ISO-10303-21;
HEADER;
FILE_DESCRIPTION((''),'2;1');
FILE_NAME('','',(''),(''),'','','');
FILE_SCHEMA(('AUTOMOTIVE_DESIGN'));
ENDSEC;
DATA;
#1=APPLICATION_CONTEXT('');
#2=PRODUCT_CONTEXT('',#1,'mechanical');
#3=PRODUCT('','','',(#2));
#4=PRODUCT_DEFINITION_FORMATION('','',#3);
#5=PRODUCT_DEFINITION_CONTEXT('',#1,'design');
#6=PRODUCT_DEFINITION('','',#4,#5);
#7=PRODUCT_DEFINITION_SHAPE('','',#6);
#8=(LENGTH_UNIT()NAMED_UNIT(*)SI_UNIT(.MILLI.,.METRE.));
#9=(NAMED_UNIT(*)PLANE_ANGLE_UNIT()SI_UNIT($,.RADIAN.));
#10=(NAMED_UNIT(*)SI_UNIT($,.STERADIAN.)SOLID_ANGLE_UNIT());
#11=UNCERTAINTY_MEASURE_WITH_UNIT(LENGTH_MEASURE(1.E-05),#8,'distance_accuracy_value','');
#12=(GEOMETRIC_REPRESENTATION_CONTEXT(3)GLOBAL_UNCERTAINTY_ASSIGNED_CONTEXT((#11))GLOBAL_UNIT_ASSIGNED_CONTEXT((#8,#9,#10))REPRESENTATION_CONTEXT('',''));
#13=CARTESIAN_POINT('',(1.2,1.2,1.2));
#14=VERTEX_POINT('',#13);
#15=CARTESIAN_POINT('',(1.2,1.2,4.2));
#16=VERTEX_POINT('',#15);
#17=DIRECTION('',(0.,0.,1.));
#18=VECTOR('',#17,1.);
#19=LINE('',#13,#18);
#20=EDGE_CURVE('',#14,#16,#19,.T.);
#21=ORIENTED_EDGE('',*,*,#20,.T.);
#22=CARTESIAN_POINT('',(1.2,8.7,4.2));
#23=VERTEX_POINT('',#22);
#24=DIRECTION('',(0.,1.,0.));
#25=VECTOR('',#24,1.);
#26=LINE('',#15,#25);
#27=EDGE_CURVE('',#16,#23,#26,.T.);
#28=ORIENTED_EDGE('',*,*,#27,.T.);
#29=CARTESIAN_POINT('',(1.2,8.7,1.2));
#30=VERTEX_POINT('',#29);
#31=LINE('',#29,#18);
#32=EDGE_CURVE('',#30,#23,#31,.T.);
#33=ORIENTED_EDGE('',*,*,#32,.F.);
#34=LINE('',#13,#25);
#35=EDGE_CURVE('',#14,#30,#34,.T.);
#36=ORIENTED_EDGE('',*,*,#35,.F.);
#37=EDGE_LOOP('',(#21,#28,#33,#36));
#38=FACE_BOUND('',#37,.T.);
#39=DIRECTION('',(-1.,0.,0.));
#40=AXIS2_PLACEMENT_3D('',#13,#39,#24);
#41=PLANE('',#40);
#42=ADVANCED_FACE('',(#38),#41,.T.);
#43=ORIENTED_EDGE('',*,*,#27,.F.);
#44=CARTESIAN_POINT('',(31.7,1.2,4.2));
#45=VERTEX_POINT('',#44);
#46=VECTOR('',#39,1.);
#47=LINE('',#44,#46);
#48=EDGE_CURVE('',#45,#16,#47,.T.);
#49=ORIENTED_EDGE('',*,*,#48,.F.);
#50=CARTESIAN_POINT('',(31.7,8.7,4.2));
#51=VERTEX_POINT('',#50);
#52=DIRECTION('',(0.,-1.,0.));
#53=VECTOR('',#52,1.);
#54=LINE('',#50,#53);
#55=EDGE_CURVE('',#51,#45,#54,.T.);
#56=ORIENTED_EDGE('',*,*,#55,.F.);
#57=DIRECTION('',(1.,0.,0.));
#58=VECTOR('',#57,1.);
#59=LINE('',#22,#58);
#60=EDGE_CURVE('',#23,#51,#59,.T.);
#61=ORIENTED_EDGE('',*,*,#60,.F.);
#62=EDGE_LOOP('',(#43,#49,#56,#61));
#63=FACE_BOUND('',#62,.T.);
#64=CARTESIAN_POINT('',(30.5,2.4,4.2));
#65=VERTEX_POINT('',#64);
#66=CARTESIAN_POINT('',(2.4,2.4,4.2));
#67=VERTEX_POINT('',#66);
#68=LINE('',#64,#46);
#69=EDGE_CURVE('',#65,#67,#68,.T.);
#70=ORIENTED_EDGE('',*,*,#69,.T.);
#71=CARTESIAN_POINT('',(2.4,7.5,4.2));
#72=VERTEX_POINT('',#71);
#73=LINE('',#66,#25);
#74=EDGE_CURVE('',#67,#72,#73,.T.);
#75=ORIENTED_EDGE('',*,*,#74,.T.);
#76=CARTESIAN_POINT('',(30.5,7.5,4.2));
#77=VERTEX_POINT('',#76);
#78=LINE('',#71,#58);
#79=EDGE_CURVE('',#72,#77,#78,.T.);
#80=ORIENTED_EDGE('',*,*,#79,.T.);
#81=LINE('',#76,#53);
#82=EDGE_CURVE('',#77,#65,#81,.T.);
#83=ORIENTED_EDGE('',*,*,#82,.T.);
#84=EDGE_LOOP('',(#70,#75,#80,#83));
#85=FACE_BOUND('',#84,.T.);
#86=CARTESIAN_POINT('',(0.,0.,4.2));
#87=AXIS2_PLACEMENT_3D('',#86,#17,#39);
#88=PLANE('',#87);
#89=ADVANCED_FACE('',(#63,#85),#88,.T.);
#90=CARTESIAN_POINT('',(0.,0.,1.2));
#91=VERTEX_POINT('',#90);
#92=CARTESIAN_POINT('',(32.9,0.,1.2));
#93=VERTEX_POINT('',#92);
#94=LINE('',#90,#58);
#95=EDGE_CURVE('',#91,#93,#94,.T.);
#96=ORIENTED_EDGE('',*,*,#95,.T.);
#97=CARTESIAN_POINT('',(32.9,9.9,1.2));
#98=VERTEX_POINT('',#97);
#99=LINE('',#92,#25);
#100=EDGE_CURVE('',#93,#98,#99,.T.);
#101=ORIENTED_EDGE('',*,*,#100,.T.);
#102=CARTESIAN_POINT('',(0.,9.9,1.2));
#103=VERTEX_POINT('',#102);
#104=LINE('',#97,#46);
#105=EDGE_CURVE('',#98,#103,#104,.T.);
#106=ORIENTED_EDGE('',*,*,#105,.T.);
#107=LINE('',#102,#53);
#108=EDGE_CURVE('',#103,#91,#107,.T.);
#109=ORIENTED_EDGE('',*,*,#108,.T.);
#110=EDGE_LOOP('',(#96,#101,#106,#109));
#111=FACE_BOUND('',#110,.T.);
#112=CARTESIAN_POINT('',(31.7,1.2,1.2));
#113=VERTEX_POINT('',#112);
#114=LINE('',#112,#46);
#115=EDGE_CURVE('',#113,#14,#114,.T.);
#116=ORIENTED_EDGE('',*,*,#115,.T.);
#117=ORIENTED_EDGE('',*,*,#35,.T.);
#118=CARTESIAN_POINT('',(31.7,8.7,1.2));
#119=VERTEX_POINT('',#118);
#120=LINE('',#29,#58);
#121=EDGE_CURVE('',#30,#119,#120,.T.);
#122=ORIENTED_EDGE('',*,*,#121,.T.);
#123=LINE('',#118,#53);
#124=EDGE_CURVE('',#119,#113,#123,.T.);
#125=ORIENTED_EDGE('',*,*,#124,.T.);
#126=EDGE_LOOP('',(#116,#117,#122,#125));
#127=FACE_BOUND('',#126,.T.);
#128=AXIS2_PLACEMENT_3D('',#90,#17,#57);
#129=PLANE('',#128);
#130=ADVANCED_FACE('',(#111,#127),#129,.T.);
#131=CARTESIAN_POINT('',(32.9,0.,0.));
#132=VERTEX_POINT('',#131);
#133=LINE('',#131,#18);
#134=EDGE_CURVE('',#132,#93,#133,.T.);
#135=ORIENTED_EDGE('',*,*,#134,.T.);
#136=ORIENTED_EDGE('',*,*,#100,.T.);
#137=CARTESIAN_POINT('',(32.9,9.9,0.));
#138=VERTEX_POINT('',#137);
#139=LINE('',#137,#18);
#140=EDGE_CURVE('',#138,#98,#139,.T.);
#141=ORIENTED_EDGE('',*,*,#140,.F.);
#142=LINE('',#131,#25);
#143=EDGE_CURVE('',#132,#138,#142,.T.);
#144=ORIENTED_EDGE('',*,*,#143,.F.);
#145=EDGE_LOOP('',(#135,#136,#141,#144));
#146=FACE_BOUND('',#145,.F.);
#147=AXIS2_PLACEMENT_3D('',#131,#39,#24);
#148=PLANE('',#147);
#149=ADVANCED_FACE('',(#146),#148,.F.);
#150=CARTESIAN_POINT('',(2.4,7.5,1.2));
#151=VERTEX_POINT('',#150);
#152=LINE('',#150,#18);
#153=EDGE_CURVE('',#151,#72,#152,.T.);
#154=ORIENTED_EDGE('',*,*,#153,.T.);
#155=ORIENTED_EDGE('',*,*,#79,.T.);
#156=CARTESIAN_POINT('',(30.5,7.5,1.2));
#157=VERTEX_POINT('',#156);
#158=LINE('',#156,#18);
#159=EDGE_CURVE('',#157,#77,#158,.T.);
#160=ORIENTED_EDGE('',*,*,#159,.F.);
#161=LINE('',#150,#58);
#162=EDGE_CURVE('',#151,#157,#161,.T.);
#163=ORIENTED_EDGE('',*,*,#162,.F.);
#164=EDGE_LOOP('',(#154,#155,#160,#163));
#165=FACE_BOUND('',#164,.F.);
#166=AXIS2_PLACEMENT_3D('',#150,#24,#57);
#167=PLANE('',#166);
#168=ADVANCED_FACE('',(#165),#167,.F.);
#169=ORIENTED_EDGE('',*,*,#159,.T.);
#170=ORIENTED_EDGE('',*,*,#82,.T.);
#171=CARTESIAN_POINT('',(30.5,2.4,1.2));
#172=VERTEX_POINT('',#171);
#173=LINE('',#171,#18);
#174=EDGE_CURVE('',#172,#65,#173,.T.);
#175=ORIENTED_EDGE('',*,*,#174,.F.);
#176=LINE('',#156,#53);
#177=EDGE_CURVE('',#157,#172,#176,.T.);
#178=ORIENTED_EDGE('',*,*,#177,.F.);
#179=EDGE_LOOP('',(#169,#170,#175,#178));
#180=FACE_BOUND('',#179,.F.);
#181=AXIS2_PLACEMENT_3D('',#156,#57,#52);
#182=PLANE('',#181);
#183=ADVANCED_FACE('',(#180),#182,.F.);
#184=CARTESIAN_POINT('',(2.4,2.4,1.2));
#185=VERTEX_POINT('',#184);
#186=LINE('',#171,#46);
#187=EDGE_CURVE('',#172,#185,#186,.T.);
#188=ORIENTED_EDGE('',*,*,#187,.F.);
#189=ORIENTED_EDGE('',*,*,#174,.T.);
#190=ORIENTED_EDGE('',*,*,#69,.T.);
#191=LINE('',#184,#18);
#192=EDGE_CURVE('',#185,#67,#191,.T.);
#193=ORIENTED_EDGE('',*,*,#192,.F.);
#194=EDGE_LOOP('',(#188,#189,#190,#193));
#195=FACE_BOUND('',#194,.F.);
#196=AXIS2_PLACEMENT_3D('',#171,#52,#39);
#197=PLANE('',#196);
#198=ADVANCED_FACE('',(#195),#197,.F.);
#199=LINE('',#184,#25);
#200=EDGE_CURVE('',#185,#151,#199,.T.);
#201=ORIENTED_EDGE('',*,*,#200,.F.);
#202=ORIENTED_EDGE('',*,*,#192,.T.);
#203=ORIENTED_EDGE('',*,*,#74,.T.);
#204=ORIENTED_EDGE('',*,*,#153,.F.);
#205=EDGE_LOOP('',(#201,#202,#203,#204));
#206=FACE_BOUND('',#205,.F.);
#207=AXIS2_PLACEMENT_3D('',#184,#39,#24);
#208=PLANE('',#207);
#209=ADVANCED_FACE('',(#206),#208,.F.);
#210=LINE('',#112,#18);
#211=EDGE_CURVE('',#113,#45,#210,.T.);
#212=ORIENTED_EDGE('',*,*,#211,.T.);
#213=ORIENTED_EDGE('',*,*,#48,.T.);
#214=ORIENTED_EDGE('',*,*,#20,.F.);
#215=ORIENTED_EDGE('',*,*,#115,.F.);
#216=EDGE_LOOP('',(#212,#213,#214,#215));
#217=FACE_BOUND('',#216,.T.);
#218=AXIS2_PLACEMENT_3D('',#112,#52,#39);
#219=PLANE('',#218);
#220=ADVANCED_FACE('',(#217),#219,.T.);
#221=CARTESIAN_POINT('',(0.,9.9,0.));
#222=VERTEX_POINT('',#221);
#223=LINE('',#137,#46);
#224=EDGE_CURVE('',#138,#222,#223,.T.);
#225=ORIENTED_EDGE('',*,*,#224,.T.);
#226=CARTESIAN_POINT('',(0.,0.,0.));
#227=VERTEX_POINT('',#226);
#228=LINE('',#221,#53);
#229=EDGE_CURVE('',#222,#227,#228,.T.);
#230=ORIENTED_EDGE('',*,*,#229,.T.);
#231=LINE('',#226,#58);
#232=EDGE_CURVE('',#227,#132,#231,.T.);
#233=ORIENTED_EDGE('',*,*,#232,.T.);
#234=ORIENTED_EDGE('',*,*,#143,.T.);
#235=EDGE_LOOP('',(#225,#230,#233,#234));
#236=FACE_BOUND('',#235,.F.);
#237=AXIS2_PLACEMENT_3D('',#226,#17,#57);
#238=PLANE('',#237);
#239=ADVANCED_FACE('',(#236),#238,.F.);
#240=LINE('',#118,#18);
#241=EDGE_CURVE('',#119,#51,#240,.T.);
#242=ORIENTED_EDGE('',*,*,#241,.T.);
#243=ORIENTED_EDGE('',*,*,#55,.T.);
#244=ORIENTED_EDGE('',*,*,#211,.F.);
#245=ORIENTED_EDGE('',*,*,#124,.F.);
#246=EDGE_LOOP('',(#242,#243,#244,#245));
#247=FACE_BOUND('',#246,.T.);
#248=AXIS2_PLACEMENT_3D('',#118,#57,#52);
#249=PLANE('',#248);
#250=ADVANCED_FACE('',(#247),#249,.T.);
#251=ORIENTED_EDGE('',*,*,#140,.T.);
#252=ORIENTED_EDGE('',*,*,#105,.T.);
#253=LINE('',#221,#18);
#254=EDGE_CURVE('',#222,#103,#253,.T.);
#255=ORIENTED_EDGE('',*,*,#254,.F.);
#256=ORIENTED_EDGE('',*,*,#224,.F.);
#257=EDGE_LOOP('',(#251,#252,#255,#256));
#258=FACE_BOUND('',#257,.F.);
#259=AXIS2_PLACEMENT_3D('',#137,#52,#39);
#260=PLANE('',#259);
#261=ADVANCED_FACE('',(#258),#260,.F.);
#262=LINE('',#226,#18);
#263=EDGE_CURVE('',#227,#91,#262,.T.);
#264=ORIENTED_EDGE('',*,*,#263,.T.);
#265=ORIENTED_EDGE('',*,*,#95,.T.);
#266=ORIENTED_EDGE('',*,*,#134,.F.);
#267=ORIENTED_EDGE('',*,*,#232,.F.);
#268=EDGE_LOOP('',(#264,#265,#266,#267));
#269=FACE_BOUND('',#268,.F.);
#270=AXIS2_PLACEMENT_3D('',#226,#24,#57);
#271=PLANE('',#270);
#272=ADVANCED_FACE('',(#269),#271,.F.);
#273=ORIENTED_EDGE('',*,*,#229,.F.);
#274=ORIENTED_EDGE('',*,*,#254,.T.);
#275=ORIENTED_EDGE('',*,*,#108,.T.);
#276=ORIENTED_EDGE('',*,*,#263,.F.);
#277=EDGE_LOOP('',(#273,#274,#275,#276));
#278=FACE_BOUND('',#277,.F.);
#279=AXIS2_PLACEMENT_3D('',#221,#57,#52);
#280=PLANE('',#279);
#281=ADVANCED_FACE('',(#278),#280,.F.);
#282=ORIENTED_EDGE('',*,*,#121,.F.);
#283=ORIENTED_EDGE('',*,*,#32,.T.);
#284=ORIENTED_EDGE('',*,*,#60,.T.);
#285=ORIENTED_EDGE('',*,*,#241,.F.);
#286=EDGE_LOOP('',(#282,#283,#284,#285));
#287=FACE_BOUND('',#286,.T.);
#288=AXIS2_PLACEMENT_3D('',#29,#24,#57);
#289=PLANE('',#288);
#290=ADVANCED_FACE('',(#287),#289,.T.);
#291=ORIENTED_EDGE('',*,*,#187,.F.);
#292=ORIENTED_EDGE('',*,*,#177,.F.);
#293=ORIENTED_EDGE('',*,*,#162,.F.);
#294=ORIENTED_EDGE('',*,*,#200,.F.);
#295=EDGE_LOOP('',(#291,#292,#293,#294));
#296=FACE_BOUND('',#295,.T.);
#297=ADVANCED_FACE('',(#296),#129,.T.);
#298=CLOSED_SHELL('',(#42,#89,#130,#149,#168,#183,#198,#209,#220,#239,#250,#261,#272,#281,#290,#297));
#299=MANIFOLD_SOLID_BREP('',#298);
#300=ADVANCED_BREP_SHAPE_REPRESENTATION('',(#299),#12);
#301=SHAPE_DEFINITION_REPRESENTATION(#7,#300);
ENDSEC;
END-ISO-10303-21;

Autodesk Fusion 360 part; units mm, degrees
sketch "Sketch1" plane through (0, 0, 0) normal (0, 0, 1) x (1, 0, 0)
  line L0 (0, 0) -> (32.9, 0)
  line L1 (32.9, 0) -> (32.9, 9.9)
  line L2 (32.9, 9.9) -> (0, 9.9)
  line L3 (0, 9.9) -> (0, 0)
  dimension "d1" = 32.9
  dimension "d2" = 9.9
extrude "Extrude1" add sketch "Sketch1" along normal blind 1.2
sketch "Sketch2" plane through (0, 0, 1.2) normal (0, 0, 1) x (-1, 0, 0)
  line L0 (0, -9.9) -> (0, 0)
  line L1 (0, 0) -> (-32.9, 0)
  line L2 (-32.9, 0) -> (-32.9, -9.9)
  line L3 (-32.9, -9.9) -> (0, -9.9)
  line L4 (-1.2, -8.7) -> (-31.7, -8.7)
  line L5 (-31.7, -8.7) -> (-31.7, -1.2)
  line L6 (-31.7, -1.2) -> (-1.2, -1.2)
  line L7 (-1.2, -1.2) -> (-1.2, -8.7)
  line L8 (-2.4, -7.5) -> (-30.5, -7.5)
  line L9 (-30.5, -7.5) -> (-30.5, -2.4)
  line L10 (-30.5, -2.4) -> (-2.4, -2.4)
  line L11 (-2.4, -2.4) -> (-2.4, -7.5)
  dimension "d5" = 1.2
  dimension "d6" = 1.2
  dimension "d7" = 1.2
  dimension "d8" = 1.2
  dimension "d9" = 1.2
  dimension "d10" = 1.2
  dimension "d11" = 1.2
  dimension "d12" = 1.2
extrude "Extrude2" add sketch "Sketch2" along normal blind 3 contours L4 L5 L6 L7
equation "d7 = d5"
equation "d8 = d6"
equation "d9 = d5"
equation "d10 = d6"
equation "d11 = d8"
equation "d12 = d7"
